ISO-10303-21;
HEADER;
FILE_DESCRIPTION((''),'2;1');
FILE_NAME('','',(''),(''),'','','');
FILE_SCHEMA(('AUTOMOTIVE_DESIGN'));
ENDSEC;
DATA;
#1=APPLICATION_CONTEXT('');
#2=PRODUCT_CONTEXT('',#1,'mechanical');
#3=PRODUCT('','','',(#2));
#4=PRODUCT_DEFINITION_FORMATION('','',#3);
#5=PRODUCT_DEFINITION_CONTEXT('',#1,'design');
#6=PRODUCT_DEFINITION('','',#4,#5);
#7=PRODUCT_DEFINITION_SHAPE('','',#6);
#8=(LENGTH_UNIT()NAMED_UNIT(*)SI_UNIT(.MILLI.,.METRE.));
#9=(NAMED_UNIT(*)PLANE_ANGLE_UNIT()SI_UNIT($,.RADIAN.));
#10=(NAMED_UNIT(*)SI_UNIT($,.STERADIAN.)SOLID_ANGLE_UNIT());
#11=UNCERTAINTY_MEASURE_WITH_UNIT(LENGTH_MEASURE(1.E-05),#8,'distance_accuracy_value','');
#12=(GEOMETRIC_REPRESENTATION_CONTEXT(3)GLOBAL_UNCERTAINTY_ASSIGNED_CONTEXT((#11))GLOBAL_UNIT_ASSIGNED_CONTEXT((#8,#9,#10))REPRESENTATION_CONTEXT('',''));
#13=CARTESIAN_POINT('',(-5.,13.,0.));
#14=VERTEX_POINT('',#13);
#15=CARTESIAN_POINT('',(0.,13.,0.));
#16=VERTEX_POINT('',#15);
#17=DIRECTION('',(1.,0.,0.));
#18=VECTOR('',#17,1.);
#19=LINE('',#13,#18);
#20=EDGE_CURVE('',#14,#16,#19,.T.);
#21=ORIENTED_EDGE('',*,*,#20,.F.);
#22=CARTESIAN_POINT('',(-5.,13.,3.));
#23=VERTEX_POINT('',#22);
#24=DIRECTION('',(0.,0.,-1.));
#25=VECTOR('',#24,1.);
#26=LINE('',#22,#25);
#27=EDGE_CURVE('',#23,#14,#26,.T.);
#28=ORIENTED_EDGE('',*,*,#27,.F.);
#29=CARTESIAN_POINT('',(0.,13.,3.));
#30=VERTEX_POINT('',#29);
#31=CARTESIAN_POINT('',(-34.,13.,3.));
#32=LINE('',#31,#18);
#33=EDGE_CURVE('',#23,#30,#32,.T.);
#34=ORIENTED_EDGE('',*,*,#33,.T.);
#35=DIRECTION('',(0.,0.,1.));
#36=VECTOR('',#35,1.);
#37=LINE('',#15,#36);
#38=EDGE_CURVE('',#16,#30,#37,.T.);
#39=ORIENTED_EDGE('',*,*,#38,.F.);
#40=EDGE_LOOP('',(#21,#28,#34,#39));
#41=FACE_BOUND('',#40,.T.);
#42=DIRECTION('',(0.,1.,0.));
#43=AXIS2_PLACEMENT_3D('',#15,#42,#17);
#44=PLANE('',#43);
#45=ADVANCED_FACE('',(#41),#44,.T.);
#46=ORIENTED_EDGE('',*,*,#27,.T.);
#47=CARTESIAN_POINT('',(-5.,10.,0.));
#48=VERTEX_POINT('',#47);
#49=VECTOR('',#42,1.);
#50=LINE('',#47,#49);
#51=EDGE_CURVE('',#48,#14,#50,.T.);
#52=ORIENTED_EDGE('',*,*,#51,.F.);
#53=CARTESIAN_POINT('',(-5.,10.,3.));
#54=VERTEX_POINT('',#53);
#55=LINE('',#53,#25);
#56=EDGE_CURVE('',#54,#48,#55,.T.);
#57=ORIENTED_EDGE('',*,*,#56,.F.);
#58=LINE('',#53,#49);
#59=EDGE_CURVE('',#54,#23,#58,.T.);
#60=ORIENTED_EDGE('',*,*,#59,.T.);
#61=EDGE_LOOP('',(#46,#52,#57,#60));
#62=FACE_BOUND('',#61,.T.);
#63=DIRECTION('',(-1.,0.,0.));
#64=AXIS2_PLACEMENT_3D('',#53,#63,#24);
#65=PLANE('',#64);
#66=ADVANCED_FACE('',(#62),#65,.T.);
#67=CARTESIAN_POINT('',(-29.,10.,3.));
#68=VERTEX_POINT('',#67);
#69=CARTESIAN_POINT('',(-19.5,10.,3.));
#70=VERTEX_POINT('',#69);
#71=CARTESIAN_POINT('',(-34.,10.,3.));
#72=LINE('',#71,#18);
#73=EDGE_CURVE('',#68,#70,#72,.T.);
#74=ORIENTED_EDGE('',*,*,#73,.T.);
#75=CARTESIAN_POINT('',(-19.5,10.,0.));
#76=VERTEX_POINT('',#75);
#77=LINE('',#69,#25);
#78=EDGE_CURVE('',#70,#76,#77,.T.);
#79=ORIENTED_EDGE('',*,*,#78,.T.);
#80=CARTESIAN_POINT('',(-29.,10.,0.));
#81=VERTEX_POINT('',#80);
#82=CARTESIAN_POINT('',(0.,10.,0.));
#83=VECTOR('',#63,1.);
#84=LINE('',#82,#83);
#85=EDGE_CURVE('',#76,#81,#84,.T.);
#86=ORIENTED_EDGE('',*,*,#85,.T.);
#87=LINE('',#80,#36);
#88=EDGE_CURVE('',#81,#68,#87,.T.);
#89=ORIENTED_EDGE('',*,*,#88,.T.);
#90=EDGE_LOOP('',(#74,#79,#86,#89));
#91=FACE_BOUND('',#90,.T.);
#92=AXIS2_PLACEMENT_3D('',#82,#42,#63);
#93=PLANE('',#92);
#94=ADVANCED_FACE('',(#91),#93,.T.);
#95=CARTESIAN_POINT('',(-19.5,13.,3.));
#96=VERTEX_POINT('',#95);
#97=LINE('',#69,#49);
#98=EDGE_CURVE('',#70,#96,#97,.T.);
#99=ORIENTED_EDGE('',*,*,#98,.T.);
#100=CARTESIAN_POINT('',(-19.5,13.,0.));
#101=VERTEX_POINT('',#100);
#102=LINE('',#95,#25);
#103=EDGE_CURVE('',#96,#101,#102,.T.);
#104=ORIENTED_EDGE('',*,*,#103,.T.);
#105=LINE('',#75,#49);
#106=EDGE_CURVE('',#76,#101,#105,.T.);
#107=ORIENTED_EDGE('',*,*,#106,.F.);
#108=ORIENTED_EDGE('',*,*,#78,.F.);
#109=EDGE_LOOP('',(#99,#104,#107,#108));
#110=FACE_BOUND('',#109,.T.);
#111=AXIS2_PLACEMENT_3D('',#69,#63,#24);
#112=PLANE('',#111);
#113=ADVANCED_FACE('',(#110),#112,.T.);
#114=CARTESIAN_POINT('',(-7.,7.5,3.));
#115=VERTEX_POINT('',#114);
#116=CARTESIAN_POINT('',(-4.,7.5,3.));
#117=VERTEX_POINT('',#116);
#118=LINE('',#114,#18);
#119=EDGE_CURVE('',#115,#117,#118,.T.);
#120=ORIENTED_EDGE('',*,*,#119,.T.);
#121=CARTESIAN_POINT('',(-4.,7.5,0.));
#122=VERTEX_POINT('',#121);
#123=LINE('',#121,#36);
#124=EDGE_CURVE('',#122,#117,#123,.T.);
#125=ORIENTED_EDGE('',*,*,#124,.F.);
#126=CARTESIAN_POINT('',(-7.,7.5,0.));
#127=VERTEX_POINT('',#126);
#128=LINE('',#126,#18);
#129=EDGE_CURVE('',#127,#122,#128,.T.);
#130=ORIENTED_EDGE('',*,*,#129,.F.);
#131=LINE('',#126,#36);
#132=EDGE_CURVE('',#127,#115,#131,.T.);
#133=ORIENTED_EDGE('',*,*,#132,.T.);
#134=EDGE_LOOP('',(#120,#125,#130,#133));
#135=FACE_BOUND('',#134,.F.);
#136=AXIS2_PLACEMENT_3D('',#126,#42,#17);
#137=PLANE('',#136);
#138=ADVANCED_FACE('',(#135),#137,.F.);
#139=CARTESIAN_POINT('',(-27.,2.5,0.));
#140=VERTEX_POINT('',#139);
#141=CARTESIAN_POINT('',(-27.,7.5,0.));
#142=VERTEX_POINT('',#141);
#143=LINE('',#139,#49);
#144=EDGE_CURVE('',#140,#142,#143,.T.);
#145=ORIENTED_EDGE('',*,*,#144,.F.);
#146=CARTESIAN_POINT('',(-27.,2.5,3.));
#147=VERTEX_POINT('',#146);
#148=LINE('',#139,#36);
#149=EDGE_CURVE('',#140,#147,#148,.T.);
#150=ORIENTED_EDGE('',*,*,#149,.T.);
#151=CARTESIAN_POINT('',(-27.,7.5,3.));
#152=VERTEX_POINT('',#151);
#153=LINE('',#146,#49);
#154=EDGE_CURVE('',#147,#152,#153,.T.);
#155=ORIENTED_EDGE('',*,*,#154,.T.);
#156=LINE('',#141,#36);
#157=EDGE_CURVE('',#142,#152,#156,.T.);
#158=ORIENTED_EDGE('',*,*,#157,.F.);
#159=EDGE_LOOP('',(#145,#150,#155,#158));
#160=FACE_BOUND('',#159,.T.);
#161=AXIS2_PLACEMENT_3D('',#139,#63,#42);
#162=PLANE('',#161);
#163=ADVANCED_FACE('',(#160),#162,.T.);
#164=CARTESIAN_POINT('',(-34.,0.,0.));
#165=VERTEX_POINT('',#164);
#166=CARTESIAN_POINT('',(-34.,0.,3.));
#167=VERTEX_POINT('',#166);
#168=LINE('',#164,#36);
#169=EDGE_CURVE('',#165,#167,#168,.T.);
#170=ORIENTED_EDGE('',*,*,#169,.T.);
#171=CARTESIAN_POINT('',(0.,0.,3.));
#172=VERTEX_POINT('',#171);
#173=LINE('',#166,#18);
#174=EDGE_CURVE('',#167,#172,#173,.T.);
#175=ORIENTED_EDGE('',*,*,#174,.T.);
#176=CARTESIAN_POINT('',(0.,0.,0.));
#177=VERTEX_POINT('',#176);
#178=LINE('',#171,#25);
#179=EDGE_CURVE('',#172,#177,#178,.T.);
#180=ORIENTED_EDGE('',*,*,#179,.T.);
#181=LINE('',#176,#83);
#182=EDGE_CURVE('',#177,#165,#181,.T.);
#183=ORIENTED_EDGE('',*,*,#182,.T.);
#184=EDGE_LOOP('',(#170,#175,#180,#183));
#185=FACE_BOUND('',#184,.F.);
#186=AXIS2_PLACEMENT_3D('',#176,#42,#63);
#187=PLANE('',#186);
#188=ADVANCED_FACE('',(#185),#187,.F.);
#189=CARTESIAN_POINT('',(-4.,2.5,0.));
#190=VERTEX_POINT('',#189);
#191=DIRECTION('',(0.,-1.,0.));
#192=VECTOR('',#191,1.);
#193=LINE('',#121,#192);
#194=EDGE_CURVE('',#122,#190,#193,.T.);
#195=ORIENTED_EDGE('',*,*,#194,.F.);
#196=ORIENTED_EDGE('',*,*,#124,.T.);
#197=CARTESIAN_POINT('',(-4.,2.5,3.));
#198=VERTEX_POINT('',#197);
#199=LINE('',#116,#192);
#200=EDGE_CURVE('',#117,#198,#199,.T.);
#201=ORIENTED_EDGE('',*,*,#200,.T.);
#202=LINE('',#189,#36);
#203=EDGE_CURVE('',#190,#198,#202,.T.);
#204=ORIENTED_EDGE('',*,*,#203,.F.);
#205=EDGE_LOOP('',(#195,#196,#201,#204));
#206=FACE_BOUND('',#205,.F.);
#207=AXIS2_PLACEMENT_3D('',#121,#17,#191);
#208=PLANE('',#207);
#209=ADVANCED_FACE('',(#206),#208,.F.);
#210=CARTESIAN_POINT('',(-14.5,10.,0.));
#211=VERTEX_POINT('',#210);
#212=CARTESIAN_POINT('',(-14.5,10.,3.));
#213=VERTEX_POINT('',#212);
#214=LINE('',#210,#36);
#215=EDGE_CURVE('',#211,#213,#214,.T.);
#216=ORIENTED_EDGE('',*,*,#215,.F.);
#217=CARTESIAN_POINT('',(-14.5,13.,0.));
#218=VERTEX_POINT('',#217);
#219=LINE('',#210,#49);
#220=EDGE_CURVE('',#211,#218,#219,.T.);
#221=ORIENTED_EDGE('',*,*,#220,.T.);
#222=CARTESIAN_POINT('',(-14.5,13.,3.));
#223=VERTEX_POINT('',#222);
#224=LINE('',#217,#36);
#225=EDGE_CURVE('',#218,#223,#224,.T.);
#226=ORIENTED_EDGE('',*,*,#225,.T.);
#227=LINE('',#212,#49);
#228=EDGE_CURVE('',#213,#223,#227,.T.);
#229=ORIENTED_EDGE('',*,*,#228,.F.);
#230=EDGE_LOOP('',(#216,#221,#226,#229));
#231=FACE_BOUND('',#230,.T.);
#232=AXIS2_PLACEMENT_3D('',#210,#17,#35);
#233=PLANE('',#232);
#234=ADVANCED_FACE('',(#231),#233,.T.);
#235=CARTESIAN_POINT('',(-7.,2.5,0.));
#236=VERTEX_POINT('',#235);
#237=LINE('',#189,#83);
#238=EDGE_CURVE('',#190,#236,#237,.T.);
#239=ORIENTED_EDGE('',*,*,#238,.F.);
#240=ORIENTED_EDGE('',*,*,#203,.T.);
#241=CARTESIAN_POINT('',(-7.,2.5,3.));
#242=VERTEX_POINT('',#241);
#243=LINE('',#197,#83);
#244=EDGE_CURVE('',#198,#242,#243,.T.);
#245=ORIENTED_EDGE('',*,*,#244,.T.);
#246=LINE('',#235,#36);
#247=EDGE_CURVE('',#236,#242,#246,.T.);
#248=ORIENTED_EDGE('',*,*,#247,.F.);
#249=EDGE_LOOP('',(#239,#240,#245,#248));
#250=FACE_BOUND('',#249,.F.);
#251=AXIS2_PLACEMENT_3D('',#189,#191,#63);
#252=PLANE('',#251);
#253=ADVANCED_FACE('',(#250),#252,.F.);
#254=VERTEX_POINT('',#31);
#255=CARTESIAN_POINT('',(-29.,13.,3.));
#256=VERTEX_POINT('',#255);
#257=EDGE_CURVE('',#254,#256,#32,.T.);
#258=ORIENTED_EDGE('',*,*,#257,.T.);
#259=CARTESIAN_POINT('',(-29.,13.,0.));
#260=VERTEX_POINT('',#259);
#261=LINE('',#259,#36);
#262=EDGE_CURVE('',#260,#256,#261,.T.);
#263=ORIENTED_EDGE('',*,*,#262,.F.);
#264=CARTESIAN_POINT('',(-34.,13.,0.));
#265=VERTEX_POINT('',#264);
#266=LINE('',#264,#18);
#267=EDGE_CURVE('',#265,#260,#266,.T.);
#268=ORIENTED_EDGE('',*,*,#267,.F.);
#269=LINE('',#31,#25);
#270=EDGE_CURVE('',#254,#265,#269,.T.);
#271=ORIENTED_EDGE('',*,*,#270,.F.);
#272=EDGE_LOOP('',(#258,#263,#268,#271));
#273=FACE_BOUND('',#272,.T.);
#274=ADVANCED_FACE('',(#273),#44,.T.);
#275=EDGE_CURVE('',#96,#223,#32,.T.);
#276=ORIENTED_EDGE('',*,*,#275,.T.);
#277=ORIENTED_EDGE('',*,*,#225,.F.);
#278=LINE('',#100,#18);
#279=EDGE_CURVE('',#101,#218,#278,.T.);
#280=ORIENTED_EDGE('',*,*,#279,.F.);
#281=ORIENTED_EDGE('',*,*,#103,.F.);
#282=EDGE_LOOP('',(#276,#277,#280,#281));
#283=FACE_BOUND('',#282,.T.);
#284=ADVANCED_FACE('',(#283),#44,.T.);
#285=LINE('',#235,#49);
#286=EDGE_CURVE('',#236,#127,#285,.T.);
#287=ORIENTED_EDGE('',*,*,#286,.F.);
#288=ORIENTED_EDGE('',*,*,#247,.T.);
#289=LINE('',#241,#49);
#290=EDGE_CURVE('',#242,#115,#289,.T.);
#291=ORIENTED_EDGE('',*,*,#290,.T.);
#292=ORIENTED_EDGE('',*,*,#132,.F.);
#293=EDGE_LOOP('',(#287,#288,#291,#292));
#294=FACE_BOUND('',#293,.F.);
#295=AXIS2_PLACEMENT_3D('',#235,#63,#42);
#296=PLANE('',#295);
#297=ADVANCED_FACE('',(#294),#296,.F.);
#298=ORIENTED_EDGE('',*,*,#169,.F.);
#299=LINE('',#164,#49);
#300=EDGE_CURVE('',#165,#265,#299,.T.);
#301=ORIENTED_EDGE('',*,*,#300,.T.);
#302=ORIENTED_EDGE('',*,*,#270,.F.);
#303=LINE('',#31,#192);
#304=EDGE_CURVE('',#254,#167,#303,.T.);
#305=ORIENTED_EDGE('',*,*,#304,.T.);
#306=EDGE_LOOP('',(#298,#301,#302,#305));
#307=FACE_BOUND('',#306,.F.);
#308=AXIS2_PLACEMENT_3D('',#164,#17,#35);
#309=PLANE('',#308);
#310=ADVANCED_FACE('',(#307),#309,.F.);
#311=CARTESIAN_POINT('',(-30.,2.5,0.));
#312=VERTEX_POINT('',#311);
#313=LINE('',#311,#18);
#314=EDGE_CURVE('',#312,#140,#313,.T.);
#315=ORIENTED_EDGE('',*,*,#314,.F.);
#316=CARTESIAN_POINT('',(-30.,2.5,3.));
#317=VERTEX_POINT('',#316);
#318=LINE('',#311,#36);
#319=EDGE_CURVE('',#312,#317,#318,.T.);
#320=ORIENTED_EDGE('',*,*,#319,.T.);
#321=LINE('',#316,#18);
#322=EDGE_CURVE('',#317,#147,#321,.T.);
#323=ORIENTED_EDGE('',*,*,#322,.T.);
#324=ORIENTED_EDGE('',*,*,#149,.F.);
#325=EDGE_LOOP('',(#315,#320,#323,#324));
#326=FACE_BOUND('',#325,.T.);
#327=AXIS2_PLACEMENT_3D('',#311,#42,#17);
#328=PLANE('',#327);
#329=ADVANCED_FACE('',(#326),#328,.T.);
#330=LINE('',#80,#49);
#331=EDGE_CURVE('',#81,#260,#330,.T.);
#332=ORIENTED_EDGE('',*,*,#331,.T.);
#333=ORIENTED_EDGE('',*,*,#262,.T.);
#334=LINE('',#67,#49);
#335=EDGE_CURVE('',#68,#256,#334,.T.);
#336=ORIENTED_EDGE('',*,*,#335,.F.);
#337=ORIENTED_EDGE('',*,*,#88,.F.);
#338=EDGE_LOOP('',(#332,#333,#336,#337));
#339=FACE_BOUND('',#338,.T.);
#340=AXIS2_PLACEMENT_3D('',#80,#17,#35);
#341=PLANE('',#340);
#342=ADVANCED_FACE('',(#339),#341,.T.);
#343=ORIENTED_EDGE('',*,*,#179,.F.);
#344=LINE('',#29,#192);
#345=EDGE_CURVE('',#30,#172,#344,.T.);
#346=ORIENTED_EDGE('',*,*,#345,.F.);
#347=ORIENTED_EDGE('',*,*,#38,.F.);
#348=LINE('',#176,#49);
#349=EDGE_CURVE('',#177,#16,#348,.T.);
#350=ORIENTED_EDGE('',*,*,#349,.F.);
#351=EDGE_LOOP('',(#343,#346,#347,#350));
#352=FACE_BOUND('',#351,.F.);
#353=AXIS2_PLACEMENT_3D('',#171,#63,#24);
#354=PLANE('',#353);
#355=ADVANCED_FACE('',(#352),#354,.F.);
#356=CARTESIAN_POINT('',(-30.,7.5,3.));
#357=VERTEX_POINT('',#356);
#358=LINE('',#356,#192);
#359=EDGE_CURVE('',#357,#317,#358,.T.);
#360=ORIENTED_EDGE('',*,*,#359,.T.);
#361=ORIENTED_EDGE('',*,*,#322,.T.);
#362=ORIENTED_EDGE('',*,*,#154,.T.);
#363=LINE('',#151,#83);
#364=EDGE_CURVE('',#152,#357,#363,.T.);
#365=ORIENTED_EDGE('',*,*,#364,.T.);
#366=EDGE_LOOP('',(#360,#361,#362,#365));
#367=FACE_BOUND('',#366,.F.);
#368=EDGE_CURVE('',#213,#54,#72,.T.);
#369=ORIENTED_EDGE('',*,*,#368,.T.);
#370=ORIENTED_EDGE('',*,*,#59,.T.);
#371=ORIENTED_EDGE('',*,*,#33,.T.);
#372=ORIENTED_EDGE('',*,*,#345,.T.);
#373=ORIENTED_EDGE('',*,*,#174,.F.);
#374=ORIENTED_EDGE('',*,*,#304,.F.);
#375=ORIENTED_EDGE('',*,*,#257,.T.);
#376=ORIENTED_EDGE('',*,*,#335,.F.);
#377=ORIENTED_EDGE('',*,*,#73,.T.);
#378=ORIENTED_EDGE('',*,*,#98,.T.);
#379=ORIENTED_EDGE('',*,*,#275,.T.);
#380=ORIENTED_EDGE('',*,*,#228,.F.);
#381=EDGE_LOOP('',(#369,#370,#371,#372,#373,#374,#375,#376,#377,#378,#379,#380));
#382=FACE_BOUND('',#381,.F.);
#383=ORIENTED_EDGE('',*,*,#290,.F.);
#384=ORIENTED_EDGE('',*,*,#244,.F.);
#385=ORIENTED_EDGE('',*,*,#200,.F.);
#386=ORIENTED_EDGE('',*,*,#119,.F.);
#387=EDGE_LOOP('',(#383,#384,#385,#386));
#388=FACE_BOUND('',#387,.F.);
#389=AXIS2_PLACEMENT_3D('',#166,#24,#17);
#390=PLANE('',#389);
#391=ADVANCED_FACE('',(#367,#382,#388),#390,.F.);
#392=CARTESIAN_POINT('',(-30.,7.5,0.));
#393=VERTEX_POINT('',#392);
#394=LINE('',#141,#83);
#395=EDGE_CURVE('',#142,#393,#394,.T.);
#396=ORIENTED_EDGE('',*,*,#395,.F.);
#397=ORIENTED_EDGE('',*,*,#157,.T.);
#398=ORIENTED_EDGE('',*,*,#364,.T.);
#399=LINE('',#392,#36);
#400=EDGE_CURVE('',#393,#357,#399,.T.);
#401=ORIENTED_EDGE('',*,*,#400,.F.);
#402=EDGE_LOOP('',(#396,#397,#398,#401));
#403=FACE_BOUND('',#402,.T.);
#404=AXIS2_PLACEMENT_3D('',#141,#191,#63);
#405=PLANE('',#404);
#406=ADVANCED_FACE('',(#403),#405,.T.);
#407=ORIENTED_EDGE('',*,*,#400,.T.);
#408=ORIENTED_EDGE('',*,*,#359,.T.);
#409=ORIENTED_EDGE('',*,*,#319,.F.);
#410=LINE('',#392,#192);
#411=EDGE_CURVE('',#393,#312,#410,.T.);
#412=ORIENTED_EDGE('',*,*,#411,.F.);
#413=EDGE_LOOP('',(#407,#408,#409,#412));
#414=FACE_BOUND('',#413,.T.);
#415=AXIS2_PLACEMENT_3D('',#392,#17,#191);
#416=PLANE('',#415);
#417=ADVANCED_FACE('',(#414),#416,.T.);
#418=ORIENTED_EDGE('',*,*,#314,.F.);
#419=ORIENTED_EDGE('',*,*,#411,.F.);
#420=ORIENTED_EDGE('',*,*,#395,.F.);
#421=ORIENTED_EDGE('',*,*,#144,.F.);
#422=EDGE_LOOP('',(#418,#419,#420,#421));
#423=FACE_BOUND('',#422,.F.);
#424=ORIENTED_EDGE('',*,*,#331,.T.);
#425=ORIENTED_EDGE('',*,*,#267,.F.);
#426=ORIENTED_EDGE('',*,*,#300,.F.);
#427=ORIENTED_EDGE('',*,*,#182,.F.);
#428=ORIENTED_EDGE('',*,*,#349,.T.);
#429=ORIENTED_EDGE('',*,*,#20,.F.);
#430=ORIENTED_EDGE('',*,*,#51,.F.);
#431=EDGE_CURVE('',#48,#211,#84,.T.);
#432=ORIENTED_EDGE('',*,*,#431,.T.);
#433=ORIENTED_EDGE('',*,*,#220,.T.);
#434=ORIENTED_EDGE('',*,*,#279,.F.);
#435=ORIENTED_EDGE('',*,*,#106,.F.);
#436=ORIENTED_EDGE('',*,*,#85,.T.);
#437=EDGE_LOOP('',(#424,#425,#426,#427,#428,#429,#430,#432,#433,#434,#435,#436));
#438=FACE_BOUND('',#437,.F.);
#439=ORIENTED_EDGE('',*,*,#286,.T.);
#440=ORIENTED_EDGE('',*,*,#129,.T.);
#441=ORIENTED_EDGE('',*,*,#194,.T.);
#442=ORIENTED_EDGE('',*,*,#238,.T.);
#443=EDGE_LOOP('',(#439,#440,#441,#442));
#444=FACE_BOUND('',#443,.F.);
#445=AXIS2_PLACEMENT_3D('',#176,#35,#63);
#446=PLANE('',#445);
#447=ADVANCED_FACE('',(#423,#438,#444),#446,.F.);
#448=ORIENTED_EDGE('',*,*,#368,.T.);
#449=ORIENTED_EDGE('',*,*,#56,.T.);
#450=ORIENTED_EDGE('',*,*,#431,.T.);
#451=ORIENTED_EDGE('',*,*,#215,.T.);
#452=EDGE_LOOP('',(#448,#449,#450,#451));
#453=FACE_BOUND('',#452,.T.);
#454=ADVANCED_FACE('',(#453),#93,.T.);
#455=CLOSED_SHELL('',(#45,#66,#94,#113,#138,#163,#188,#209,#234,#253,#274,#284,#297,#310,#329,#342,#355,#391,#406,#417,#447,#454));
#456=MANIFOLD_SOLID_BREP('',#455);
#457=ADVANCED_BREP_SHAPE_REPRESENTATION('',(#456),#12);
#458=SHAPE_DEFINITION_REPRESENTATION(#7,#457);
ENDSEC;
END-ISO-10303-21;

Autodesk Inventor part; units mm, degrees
ref_plane "YZ Plane" through (0, 0, 0) normal (1, 0, 0) x (0, 1, 0)
ref_plane "XZ Plane" through (0, 0, 0) normal (0, 1, 0) x (-1, 0, 0)
ref_plane "XY Plane" through (0, 0, 0) normal (0, 0, 1) x (1, 0, 0)
sketch "Sketch1" plane through (0, 0, 0) normal (0, 1, 0) x (-1, 0, 0)
  line L0 (0, 0) -> (34, 0)
  line L1 (34, 0) -> (34, 3)
  line L2 (34, 3) -> (0, 3)
  line L3 (0, 3) -> (0, 0)
  dimension "d0" = 34
  dimension "d1" = 3
extrude "Extrusion1" add sketch "Sketch1" along normal blind 10
sketch "Sketch2" plane through (0, 10, 0) normal (0, 1, 0) x (1, 0, 0)
  line L0 (-34, -3) -> (0, -3) projected
  line L1 (-34, 0) -> (-29, 0)
  line L2 (-29, 0) -> (-29, -3)
  line L3 (-29, -3) -> (-34, -3)
  line L4 (-34, -3) -> (-34, 0)
  line L5 (-5, 0) -> (0, 0)
  line L6 (0, 0) -> (0, -3)
  line L7 (0, -3) -> (-5, -3)
  line L8 (-5, -3) -> (-5, 0)
  line L9 (-19.5, 0) -> (-14.5, 0)
  line L10 (-14.5, 0) -> (-14.5, -3)
  line L11 (-14.5, -3) -> (-19.5, -3)
  line L12 (-19.5, -3) -> (-19.5, 0)
  dimension "d4" = 3
  dimension "d5" = 5
  dimension "d6" = 3
  dimension "d7" = 5
  dimension "d8" = 3
  dimension "d9" = 5
  dimension "d10" = 9.5
extrude "Extrusion2" add sketch "Sketch2" along normal blind 3
sketch "Sketch4" plane through (0, 0, 0) normal (0, 0, -1) x (-1, 0, 0)
  line L0 (34, 0) -> (34, 13) projected
  line L1 (30, 2.5) -> (27, 2.5)
  line L2 (27, 2.5) -> (27, 7.5)
  line L3 (27, 7.5) -> (30, 7.5)
  line L4 (30, 7.5) -> (30, 2.5)
  line L5 (0, 0) -> (34, 0) projected
  line L6 (0, 0) -> (0, 13) projected
  line L7 (17, 0) -> (17, 25.0309) construction
  line L8 (7, 2.5) -> (7, 7.5)
  line L9 (4, 2.5) -> (7, 2.5)
  line L10 (7, 7.5) -> (4, 7.5)
  line L11 (4, 7.5) -> (4, 2.5)
  line L12 (19.5, 10) -> (29, 10) projected
  dimension "d17" = 3
  dimension "d18" = 5
  dimension "d22" = 2.5
  dimension "d23" = 4
  dimension "d25" = 10
extrude "Extrusion4" cut sketch "Sketch4" against normal blind 3
equation "\"d22\" = -0.5 * d18 + 0.5 * d25"
properties part number "link2p1press" material "Glass"
